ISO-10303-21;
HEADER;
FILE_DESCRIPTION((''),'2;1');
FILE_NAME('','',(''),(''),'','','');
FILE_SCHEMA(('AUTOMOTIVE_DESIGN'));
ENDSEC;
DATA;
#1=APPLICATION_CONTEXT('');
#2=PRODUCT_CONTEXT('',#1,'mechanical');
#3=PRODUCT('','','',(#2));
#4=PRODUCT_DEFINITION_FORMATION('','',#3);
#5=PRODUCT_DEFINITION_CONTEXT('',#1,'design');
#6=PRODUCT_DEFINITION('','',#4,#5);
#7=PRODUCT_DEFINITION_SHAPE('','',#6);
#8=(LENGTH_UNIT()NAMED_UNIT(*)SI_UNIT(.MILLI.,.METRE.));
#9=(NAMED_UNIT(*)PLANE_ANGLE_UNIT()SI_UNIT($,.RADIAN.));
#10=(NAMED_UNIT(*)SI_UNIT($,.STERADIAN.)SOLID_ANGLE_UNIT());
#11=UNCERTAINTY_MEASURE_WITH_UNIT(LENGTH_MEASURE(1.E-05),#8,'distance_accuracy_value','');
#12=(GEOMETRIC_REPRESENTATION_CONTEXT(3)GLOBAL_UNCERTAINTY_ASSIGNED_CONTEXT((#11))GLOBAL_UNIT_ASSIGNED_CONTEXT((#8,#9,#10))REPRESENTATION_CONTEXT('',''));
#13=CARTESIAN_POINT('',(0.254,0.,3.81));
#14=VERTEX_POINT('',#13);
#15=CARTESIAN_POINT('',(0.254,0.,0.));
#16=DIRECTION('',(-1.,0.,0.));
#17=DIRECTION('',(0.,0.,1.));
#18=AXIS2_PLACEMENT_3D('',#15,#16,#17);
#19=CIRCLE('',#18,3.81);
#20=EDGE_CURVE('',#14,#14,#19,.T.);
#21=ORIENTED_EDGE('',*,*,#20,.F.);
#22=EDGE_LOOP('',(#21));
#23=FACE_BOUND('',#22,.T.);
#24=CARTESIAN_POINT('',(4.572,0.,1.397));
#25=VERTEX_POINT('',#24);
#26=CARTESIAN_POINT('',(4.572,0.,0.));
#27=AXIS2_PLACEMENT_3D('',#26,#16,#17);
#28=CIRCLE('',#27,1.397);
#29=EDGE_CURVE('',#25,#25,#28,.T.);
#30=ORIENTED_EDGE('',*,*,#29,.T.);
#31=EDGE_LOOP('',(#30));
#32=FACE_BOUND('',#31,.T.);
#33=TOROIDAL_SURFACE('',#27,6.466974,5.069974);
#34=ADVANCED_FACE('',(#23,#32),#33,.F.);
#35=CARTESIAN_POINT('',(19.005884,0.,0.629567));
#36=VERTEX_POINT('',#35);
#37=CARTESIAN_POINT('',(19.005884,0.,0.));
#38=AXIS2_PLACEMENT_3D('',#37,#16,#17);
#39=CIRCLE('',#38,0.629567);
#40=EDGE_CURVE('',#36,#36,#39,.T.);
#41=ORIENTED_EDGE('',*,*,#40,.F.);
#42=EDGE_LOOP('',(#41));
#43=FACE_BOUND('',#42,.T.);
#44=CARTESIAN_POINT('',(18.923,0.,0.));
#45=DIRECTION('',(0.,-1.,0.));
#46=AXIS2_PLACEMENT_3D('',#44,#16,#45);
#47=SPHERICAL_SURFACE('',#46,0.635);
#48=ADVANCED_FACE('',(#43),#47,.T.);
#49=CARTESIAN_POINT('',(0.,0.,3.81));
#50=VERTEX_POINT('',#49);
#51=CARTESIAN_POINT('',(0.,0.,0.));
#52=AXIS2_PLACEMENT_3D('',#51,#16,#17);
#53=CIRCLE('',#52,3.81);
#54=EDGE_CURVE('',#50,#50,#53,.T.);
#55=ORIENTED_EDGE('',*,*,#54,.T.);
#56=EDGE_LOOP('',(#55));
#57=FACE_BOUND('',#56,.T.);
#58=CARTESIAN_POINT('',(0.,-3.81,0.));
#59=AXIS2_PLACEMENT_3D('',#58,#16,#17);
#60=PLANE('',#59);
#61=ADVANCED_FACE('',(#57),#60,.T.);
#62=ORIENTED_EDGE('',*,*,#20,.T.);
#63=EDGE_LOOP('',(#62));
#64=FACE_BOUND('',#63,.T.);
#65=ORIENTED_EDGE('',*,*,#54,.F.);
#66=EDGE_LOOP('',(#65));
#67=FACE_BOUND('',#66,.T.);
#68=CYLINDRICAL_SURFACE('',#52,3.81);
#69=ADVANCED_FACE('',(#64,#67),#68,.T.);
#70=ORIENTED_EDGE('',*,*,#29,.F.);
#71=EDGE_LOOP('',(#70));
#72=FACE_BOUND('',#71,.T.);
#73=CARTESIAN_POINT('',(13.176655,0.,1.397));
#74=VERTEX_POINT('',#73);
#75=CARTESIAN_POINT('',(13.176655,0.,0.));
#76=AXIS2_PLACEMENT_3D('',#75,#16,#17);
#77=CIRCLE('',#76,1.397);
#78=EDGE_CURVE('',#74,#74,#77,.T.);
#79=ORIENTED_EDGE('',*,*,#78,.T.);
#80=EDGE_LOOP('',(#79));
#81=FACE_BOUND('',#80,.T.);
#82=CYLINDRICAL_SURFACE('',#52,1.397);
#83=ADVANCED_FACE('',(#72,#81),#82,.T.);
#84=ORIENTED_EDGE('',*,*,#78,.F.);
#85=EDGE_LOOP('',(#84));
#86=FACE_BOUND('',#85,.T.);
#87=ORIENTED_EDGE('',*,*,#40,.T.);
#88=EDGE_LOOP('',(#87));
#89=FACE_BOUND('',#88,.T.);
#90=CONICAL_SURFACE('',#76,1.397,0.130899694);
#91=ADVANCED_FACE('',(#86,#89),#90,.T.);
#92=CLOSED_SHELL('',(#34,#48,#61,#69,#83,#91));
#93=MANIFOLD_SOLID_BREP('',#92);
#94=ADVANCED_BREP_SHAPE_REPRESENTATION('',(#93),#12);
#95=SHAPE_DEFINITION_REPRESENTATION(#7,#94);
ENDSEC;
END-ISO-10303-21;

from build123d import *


with BuildPart() as part:
    # Sketch1 → Revolve1 (revolve)
    with BuildSketch(Plane.XY, mode=Mode.PRIVATE) as revolve1_sk:
        with BuildLine():
            Line((0, -3.81), (0, 0))
            Line((0, 0), (19.558, 0))
            ThreePointArc((19.558, 0), (19.400418278, -0.418684593), (19.005884132, -0.629567487))
            Line((19.005884132, -0.629567487), (13.176655465, -1.397))
            Line((13.176655465, -1.397), (4.572, -1.397))
            ThreePointArc((4.572, -1.397), (2.098758554, -2.041173202), (0.254, -3.81))
            Line((0.254, -3.81), (0, -3.81))
        make_face()
    revolve(revolve1_sk.sketch.rotate(Axis((0, 0, 0), (1, 0, 0)), 270), axis=Axis((0, 0, 0), (1, 0, 0)))


solid = part.part
